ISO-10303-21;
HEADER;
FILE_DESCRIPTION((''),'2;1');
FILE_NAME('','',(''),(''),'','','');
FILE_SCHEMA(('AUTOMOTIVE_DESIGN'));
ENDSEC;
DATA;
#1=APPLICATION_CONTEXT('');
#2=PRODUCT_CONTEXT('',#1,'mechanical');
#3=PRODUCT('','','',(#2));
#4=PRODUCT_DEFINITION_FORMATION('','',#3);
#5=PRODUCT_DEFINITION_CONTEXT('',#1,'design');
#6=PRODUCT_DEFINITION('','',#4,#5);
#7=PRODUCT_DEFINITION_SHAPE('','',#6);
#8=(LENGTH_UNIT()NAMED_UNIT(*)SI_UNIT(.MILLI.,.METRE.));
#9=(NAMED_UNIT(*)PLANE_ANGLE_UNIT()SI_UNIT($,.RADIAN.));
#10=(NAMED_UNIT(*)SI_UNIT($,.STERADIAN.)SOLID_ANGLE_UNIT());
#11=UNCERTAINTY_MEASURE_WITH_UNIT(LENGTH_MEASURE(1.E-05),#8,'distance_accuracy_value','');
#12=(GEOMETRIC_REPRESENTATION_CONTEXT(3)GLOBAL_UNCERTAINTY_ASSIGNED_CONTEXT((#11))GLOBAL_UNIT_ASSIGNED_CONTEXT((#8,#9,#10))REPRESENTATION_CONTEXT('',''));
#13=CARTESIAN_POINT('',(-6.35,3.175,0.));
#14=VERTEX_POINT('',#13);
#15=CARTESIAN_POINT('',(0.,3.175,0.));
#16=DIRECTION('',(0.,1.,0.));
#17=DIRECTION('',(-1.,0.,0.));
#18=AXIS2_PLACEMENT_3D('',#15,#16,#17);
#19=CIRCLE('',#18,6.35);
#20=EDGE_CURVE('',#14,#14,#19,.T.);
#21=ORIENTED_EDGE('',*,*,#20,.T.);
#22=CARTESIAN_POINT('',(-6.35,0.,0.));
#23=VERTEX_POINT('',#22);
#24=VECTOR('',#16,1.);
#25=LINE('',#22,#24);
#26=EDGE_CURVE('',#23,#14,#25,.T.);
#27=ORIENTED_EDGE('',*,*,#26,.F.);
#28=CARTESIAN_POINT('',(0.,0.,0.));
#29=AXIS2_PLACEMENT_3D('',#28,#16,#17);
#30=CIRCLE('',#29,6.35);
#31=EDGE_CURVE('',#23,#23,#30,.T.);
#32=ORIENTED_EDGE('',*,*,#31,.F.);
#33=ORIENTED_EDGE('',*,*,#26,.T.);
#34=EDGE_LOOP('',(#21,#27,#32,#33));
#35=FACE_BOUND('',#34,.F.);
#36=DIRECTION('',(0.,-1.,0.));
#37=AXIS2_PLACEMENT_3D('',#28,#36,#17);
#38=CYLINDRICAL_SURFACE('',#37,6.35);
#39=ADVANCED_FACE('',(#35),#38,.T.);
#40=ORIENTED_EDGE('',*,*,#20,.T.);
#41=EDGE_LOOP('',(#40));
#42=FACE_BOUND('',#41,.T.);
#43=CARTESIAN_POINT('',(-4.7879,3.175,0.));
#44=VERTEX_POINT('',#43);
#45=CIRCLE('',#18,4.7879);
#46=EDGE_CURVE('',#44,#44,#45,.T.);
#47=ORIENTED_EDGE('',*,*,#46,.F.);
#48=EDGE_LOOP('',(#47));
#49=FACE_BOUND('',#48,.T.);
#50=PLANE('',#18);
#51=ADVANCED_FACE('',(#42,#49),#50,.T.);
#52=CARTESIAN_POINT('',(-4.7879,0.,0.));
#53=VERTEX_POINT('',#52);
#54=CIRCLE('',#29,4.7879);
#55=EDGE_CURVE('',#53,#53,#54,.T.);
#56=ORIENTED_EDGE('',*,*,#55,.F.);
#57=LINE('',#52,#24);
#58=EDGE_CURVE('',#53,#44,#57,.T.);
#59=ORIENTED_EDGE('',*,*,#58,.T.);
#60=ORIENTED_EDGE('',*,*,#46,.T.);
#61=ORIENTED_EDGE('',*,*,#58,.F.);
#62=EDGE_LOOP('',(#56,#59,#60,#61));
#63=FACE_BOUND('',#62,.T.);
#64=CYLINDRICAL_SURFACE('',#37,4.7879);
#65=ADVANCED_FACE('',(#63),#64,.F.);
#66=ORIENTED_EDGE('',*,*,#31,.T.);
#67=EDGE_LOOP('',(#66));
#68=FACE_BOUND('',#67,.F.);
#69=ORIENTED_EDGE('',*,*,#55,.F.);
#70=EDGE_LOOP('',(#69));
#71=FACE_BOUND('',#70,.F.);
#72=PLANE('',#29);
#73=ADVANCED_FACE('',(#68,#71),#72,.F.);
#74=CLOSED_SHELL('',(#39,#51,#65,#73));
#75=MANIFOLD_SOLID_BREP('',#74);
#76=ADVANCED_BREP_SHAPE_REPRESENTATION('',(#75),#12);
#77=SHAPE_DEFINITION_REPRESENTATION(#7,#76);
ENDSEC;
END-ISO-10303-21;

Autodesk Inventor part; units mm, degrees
ref_plane "YZ Plane" through (0, 0, 0) normal (1, 0, 0) x (0, 1, 0)
ref_plane "XZ Plane" through (0, 0, 0) normal (0, 1, 0) x (-1, 0, 0)
ref_plane "XY Plane" through (0, 0, 0) normal (0, 0, 1) x (1, 0, 0)
sketch "Sketch1" plane through (0, 0, 0) normal (0, 1, 0) x (-1, 0, 0)
  circle A0 centre (0, 0) radius 4.7879
  circle A1 centre (0, 0) radius 6.35
  dimension "d0" = 9.5758
  dimension "d1" = 12.7
extrude "Extrusion1" add sketch "Sketch1" along normal blind 3.175
properties part number "0.215_Spacer" material "ABS Plastic"
